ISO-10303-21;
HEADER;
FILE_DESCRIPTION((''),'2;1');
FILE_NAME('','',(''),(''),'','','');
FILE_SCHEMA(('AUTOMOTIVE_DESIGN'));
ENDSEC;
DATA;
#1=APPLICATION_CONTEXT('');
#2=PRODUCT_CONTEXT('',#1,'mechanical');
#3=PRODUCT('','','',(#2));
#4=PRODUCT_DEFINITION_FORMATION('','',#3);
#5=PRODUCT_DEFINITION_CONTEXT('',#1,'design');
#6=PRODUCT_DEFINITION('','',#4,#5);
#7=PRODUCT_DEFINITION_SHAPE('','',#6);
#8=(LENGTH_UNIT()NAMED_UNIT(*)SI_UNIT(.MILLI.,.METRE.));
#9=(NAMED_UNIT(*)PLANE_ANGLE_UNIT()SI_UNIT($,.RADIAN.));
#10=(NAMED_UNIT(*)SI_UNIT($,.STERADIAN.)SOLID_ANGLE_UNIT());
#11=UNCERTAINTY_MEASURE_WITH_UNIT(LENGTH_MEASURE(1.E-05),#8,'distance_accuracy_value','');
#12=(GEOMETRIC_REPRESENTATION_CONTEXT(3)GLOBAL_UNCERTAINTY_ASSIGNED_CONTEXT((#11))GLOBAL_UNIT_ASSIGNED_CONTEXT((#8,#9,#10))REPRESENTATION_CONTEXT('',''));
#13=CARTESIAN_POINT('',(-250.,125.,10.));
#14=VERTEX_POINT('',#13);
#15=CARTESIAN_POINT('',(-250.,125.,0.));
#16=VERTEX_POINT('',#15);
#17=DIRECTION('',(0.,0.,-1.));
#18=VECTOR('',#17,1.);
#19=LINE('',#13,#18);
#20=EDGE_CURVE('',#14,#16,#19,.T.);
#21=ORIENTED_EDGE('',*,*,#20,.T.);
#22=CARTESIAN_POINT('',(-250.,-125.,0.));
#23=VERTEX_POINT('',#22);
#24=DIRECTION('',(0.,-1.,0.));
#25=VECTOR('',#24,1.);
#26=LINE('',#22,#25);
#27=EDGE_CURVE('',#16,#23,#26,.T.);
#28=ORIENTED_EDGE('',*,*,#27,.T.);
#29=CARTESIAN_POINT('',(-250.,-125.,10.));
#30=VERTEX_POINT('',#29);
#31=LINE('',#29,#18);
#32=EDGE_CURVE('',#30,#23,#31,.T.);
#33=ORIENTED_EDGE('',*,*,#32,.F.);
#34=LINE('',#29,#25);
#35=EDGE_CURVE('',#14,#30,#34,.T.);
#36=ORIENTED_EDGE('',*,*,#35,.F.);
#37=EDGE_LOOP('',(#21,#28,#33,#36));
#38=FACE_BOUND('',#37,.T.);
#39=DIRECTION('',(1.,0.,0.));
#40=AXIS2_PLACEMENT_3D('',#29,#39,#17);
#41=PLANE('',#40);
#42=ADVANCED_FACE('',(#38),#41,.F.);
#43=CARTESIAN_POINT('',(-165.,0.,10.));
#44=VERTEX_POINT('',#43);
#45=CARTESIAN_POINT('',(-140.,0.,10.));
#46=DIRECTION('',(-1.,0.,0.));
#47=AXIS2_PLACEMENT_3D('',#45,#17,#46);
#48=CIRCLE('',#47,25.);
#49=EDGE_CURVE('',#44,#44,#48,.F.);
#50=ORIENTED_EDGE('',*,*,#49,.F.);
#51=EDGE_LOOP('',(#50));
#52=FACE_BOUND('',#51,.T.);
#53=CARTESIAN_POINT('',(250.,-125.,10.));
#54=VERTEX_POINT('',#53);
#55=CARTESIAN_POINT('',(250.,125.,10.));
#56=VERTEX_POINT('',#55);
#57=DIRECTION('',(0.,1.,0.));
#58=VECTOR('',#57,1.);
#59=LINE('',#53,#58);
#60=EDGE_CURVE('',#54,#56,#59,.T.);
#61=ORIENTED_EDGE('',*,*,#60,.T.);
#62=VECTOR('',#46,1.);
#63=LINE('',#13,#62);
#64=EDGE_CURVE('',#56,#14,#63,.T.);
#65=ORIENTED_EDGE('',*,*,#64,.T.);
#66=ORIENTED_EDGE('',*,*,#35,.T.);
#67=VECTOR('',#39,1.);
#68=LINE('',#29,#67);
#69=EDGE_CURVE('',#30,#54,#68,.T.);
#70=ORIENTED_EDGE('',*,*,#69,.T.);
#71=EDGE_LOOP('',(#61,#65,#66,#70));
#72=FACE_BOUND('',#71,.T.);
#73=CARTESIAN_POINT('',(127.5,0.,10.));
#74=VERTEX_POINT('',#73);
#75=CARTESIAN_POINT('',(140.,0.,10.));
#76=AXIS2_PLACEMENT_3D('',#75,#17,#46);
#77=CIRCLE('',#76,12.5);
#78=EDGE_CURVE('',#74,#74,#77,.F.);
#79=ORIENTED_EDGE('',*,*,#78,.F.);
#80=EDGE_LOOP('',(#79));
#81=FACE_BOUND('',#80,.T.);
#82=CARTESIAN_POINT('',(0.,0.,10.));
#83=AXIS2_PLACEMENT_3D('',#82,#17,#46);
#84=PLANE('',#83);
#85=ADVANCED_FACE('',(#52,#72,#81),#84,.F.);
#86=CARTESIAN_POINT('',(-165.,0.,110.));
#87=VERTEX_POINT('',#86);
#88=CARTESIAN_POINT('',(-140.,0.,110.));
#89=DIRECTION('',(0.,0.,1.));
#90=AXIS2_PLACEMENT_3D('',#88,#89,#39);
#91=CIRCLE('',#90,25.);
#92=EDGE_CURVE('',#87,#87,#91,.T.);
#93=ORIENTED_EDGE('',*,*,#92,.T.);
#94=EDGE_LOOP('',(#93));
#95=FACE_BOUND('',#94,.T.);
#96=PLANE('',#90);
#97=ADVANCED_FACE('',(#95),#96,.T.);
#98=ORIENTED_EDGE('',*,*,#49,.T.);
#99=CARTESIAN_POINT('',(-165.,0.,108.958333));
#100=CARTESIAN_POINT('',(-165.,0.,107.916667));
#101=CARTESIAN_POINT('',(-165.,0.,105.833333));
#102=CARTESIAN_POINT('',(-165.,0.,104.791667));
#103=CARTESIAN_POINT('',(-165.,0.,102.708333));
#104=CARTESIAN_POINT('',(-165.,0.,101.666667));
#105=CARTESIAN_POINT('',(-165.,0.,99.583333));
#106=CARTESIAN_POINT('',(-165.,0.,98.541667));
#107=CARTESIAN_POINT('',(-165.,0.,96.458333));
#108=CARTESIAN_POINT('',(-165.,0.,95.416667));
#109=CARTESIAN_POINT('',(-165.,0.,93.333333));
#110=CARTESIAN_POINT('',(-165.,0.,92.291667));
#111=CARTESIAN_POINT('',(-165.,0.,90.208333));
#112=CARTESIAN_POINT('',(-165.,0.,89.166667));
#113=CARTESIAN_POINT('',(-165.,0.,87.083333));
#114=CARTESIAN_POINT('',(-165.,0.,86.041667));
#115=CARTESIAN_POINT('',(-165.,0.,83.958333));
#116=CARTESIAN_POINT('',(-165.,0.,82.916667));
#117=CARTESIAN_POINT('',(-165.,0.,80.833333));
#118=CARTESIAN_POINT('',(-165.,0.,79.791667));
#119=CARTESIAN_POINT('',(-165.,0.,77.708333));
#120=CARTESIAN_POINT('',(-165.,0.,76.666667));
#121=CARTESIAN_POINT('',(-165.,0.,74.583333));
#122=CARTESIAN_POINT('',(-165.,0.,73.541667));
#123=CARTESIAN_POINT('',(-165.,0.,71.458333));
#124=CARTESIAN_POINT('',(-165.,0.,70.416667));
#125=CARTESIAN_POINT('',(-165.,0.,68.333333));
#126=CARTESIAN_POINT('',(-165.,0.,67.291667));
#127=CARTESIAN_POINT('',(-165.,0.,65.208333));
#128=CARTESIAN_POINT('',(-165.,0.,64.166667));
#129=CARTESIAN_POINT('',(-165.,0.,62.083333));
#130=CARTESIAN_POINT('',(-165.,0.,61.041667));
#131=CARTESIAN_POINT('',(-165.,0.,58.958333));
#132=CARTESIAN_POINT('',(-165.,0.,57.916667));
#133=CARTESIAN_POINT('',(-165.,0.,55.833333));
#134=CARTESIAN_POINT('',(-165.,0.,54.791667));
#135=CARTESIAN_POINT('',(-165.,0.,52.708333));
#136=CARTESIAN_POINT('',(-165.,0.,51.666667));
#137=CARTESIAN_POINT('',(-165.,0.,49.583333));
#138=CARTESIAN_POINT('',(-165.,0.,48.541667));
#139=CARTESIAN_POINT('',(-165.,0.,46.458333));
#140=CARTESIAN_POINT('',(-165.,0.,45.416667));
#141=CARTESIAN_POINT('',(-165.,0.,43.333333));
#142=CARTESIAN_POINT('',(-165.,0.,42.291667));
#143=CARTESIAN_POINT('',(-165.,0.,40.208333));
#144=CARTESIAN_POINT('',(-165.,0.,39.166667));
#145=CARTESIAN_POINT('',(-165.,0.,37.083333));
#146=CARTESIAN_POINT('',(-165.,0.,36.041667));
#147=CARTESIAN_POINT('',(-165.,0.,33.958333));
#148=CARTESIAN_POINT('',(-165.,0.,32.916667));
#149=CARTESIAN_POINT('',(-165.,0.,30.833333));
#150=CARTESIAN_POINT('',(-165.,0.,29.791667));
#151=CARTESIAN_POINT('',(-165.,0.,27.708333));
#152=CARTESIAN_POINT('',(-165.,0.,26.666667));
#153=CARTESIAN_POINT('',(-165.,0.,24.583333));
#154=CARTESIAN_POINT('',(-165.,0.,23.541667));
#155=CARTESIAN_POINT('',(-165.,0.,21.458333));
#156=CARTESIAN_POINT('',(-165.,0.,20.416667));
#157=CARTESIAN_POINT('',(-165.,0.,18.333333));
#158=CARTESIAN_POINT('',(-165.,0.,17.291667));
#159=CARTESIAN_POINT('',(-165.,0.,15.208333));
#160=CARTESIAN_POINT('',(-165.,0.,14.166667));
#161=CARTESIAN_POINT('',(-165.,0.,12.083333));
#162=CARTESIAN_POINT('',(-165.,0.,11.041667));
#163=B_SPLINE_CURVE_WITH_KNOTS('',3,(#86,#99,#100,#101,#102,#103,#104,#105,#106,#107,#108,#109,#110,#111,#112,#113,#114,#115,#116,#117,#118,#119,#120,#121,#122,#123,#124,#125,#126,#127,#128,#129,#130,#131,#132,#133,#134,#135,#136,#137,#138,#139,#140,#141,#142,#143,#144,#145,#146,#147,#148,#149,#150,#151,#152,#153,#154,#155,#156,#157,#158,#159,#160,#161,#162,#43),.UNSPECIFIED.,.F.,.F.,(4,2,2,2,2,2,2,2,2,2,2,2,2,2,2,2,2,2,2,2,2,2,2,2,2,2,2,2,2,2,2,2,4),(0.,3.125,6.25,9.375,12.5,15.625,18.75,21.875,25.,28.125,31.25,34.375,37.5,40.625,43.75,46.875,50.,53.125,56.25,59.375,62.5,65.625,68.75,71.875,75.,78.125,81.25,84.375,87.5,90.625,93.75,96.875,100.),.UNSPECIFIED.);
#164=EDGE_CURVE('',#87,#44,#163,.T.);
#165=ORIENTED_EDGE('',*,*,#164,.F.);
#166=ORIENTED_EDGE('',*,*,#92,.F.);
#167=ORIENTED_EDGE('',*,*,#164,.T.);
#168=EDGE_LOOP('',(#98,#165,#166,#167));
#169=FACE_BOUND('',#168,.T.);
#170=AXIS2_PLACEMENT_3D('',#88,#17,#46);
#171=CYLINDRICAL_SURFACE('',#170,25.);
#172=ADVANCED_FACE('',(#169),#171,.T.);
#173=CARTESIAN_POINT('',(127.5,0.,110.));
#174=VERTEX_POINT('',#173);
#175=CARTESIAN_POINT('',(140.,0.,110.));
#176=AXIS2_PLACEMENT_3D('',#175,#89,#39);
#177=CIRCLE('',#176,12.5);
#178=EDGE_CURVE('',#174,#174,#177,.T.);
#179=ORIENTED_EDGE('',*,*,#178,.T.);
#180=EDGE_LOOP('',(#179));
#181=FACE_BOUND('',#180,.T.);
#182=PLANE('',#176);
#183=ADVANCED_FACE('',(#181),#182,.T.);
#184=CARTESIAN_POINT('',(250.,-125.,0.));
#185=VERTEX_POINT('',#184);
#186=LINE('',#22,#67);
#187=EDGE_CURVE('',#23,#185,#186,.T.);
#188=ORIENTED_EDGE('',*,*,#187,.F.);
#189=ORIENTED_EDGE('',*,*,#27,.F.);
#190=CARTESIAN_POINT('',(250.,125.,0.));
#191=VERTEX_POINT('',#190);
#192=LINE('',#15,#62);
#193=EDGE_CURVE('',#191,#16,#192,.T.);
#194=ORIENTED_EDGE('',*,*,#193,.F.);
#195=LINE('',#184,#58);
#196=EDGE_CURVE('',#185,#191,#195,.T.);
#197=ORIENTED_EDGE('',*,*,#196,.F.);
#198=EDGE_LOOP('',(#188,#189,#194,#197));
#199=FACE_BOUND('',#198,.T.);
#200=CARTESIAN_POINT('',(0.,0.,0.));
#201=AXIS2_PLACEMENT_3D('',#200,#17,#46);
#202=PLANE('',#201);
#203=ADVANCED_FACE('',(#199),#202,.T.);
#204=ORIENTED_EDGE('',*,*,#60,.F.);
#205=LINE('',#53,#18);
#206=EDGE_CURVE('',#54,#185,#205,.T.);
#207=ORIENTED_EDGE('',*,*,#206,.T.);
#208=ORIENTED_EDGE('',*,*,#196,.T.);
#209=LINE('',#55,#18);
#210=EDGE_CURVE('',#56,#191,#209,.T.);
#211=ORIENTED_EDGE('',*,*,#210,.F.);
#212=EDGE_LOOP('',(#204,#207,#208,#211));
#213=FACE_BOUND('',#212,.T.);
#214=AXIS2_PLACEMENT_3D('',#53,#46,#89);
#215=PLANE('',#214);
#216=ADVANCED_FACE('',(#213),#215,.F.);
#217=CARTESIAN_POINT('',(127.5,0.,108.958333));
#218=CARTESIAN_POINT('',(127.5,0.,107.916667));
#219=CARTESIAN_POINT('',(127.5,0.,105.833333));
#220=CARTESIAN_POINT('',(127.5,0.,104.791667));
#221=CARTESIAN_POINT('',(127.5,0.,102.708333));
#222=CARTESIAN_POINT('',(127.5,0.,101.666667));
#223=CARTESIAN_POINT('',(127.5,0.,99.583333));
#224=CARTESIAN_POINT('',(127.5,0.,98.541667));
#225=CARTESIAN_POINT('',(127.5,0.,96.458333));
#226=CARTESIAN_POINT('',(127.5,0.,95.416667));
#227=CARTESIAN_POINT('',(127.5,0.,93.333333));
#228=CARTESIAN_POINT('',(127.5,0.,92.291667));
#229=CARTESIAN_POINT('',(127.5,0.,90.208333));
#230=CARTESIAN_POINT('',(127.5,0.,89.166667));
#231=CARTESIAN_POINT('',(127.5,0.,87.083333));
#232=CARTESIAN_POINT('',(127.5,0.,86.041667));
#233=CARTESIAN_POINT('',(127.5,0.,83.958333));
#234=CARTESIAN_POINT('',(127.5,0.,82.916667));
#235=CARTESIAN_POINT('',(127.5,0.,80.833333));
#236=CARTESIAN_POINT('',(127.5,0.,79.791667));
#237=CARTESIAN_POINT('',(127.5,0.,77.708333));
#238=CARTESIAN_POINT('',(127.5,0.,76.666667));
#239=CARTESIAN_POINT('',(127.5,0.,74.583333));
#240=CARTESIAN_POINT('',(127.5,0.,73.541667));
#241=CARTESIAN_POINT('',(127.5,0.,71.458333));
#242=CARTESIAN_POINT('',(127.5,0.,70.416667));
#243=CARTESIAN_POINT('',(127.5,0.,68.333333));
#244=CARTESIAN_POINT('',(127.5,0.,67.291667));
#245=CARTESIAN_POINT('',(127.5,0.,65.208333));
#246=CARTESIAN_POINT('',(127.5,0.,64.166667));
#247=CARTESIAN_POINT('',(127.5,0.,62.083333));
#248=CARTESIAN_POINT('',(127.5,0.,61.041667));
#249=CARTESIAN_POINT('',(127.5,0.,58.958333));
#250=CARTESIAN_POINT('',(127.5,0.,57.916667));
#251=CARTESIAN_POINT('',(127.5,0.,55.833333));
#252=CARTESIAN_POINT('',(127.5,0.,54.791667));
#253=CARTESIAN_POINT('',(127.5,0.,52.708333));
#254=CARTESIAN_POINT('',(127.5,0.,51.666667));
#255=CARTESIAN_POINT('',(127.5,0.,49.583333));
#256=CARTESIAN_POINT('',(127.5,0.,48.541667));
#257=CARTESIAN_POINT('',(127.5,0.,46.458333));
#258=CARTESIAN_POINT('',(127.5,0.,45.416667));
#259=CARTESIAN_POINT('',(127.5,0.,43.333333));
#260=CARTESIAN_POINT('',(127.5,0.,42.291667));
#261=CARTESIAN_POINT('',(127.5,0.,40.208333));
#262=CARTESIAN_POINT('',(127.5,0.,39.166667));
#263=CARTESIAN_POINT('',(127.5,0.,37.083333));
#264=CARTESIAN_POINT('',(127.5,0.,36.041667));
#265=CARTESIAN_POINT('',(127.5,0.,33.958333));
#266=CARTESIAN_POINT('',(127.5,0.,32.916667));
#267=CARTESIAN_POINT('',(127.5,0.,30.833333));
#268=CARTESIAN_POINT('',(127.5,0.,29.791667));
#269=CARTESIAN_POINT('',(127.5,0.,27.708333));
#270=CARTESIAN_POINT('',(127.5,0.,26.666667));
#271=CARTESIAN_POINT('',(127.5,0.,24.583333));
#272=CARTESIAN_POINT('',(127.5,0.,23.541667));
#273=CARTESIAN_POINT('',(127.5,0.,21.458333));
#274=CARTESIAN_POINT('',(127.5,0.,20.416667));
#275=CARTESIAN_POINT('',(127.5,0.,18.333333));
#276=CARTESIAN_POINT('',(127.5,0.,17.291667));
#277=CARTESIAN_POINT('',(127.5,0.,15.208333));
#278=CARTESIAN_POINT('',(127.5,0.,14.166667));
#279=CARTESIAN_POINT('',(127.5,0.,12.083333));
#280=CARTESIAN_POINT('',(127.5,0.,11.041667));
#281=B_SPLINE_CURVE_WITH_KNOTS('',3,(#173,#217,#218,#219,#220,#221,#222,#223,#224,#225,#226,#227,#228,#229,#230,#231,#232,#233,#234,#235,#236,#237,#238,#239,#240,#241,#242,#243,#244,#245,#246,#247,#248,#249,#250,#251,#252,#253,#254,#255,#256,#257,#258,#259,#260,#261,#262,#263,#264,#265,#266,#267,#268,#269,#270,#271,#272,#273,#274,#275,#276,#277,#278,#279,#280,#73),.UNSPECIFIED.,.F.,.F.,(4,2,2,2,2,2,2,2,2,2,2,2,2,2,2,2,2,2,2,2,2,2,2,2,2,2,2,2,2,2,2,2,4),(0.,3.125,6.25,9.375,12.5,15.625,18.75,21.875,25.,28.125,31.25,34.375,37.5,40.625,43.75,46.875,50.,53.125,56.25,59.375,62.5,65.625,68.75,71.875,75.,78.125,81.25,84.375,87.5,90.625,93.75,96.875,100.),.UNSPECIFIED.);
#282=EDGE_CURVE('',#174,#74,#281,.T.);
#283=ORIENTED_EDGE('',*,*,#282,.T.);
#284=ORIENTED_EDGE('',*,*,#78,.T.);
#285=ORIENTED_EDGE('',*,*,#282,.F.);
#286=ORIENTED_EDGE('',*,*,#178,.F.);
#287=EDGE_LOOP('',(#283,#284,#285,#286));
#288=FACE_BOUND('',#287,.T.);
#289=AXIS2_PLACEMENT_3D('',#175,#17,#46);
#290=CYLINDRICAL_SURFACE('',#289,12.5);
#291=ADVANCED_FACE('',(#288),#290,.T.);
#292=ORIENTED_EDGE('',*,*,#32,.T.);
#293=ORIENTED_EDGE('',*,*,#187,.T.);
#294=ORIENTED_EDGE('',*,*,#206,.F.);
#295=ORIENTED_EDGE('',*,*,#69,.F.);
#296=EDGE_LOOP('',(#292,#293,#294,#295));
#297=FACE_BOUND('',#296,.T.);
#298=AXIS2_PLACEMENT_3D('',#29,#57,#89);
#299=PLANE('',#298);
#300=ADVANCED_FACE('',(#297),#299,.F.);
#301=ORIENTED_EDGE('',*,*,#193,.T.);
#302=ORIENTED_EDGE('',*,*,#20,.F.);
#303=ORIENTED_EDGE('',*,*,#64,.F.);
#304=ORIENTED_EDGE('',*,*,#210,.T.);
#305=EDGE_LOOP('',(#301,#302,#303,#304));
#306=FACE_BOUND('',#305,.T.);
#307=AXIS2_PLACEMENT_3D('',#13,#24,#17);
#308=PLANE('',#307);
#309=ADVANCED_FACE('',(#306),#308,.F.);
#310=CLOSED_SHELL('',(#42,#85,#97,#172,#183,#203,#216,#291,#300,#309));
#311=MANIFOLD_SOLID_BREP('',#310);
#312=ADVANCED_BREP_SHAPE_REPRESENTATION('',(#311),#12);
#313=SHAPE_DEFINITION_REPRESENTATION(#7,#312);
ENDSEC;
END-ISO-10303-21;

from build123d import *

# Parameters (mm, degrees)
SKETCH1_W           = 500
SKETCH1_H           = 250
BOSS_EXTRUDE1_DEPTH = 10
SKETCH2_R           = 25
SKETCH2_R_2         = 12.5
BOSS_EXTRUDE2_DEPTH = 100


with BuildPart() as part:
    # Sketch1 → Boss-Extrude1 (new body)
    with BuildSketch(Plane.XY):
        Rectangle(SKETCH1_W, SKETCH1_H)
    extrude(amount=BOSS_EXTRUDE1_DEPTH)

    # Sketch2 → Boss-Extrude2 (add)
    with BuildSketch(Plane.XY.offset(10)):
        with Locations(Location((-140, 0, 0), (0, 0, 180))):
            Circle(SKETCH2_R)
        with Locations(Location((140, 0, 0), (0, 0, 180))):
            Circle(SKETCH2_R_2)
    extrude(amount=BOSS_EXTRUDE2_DEPTH)


solid = part.part
